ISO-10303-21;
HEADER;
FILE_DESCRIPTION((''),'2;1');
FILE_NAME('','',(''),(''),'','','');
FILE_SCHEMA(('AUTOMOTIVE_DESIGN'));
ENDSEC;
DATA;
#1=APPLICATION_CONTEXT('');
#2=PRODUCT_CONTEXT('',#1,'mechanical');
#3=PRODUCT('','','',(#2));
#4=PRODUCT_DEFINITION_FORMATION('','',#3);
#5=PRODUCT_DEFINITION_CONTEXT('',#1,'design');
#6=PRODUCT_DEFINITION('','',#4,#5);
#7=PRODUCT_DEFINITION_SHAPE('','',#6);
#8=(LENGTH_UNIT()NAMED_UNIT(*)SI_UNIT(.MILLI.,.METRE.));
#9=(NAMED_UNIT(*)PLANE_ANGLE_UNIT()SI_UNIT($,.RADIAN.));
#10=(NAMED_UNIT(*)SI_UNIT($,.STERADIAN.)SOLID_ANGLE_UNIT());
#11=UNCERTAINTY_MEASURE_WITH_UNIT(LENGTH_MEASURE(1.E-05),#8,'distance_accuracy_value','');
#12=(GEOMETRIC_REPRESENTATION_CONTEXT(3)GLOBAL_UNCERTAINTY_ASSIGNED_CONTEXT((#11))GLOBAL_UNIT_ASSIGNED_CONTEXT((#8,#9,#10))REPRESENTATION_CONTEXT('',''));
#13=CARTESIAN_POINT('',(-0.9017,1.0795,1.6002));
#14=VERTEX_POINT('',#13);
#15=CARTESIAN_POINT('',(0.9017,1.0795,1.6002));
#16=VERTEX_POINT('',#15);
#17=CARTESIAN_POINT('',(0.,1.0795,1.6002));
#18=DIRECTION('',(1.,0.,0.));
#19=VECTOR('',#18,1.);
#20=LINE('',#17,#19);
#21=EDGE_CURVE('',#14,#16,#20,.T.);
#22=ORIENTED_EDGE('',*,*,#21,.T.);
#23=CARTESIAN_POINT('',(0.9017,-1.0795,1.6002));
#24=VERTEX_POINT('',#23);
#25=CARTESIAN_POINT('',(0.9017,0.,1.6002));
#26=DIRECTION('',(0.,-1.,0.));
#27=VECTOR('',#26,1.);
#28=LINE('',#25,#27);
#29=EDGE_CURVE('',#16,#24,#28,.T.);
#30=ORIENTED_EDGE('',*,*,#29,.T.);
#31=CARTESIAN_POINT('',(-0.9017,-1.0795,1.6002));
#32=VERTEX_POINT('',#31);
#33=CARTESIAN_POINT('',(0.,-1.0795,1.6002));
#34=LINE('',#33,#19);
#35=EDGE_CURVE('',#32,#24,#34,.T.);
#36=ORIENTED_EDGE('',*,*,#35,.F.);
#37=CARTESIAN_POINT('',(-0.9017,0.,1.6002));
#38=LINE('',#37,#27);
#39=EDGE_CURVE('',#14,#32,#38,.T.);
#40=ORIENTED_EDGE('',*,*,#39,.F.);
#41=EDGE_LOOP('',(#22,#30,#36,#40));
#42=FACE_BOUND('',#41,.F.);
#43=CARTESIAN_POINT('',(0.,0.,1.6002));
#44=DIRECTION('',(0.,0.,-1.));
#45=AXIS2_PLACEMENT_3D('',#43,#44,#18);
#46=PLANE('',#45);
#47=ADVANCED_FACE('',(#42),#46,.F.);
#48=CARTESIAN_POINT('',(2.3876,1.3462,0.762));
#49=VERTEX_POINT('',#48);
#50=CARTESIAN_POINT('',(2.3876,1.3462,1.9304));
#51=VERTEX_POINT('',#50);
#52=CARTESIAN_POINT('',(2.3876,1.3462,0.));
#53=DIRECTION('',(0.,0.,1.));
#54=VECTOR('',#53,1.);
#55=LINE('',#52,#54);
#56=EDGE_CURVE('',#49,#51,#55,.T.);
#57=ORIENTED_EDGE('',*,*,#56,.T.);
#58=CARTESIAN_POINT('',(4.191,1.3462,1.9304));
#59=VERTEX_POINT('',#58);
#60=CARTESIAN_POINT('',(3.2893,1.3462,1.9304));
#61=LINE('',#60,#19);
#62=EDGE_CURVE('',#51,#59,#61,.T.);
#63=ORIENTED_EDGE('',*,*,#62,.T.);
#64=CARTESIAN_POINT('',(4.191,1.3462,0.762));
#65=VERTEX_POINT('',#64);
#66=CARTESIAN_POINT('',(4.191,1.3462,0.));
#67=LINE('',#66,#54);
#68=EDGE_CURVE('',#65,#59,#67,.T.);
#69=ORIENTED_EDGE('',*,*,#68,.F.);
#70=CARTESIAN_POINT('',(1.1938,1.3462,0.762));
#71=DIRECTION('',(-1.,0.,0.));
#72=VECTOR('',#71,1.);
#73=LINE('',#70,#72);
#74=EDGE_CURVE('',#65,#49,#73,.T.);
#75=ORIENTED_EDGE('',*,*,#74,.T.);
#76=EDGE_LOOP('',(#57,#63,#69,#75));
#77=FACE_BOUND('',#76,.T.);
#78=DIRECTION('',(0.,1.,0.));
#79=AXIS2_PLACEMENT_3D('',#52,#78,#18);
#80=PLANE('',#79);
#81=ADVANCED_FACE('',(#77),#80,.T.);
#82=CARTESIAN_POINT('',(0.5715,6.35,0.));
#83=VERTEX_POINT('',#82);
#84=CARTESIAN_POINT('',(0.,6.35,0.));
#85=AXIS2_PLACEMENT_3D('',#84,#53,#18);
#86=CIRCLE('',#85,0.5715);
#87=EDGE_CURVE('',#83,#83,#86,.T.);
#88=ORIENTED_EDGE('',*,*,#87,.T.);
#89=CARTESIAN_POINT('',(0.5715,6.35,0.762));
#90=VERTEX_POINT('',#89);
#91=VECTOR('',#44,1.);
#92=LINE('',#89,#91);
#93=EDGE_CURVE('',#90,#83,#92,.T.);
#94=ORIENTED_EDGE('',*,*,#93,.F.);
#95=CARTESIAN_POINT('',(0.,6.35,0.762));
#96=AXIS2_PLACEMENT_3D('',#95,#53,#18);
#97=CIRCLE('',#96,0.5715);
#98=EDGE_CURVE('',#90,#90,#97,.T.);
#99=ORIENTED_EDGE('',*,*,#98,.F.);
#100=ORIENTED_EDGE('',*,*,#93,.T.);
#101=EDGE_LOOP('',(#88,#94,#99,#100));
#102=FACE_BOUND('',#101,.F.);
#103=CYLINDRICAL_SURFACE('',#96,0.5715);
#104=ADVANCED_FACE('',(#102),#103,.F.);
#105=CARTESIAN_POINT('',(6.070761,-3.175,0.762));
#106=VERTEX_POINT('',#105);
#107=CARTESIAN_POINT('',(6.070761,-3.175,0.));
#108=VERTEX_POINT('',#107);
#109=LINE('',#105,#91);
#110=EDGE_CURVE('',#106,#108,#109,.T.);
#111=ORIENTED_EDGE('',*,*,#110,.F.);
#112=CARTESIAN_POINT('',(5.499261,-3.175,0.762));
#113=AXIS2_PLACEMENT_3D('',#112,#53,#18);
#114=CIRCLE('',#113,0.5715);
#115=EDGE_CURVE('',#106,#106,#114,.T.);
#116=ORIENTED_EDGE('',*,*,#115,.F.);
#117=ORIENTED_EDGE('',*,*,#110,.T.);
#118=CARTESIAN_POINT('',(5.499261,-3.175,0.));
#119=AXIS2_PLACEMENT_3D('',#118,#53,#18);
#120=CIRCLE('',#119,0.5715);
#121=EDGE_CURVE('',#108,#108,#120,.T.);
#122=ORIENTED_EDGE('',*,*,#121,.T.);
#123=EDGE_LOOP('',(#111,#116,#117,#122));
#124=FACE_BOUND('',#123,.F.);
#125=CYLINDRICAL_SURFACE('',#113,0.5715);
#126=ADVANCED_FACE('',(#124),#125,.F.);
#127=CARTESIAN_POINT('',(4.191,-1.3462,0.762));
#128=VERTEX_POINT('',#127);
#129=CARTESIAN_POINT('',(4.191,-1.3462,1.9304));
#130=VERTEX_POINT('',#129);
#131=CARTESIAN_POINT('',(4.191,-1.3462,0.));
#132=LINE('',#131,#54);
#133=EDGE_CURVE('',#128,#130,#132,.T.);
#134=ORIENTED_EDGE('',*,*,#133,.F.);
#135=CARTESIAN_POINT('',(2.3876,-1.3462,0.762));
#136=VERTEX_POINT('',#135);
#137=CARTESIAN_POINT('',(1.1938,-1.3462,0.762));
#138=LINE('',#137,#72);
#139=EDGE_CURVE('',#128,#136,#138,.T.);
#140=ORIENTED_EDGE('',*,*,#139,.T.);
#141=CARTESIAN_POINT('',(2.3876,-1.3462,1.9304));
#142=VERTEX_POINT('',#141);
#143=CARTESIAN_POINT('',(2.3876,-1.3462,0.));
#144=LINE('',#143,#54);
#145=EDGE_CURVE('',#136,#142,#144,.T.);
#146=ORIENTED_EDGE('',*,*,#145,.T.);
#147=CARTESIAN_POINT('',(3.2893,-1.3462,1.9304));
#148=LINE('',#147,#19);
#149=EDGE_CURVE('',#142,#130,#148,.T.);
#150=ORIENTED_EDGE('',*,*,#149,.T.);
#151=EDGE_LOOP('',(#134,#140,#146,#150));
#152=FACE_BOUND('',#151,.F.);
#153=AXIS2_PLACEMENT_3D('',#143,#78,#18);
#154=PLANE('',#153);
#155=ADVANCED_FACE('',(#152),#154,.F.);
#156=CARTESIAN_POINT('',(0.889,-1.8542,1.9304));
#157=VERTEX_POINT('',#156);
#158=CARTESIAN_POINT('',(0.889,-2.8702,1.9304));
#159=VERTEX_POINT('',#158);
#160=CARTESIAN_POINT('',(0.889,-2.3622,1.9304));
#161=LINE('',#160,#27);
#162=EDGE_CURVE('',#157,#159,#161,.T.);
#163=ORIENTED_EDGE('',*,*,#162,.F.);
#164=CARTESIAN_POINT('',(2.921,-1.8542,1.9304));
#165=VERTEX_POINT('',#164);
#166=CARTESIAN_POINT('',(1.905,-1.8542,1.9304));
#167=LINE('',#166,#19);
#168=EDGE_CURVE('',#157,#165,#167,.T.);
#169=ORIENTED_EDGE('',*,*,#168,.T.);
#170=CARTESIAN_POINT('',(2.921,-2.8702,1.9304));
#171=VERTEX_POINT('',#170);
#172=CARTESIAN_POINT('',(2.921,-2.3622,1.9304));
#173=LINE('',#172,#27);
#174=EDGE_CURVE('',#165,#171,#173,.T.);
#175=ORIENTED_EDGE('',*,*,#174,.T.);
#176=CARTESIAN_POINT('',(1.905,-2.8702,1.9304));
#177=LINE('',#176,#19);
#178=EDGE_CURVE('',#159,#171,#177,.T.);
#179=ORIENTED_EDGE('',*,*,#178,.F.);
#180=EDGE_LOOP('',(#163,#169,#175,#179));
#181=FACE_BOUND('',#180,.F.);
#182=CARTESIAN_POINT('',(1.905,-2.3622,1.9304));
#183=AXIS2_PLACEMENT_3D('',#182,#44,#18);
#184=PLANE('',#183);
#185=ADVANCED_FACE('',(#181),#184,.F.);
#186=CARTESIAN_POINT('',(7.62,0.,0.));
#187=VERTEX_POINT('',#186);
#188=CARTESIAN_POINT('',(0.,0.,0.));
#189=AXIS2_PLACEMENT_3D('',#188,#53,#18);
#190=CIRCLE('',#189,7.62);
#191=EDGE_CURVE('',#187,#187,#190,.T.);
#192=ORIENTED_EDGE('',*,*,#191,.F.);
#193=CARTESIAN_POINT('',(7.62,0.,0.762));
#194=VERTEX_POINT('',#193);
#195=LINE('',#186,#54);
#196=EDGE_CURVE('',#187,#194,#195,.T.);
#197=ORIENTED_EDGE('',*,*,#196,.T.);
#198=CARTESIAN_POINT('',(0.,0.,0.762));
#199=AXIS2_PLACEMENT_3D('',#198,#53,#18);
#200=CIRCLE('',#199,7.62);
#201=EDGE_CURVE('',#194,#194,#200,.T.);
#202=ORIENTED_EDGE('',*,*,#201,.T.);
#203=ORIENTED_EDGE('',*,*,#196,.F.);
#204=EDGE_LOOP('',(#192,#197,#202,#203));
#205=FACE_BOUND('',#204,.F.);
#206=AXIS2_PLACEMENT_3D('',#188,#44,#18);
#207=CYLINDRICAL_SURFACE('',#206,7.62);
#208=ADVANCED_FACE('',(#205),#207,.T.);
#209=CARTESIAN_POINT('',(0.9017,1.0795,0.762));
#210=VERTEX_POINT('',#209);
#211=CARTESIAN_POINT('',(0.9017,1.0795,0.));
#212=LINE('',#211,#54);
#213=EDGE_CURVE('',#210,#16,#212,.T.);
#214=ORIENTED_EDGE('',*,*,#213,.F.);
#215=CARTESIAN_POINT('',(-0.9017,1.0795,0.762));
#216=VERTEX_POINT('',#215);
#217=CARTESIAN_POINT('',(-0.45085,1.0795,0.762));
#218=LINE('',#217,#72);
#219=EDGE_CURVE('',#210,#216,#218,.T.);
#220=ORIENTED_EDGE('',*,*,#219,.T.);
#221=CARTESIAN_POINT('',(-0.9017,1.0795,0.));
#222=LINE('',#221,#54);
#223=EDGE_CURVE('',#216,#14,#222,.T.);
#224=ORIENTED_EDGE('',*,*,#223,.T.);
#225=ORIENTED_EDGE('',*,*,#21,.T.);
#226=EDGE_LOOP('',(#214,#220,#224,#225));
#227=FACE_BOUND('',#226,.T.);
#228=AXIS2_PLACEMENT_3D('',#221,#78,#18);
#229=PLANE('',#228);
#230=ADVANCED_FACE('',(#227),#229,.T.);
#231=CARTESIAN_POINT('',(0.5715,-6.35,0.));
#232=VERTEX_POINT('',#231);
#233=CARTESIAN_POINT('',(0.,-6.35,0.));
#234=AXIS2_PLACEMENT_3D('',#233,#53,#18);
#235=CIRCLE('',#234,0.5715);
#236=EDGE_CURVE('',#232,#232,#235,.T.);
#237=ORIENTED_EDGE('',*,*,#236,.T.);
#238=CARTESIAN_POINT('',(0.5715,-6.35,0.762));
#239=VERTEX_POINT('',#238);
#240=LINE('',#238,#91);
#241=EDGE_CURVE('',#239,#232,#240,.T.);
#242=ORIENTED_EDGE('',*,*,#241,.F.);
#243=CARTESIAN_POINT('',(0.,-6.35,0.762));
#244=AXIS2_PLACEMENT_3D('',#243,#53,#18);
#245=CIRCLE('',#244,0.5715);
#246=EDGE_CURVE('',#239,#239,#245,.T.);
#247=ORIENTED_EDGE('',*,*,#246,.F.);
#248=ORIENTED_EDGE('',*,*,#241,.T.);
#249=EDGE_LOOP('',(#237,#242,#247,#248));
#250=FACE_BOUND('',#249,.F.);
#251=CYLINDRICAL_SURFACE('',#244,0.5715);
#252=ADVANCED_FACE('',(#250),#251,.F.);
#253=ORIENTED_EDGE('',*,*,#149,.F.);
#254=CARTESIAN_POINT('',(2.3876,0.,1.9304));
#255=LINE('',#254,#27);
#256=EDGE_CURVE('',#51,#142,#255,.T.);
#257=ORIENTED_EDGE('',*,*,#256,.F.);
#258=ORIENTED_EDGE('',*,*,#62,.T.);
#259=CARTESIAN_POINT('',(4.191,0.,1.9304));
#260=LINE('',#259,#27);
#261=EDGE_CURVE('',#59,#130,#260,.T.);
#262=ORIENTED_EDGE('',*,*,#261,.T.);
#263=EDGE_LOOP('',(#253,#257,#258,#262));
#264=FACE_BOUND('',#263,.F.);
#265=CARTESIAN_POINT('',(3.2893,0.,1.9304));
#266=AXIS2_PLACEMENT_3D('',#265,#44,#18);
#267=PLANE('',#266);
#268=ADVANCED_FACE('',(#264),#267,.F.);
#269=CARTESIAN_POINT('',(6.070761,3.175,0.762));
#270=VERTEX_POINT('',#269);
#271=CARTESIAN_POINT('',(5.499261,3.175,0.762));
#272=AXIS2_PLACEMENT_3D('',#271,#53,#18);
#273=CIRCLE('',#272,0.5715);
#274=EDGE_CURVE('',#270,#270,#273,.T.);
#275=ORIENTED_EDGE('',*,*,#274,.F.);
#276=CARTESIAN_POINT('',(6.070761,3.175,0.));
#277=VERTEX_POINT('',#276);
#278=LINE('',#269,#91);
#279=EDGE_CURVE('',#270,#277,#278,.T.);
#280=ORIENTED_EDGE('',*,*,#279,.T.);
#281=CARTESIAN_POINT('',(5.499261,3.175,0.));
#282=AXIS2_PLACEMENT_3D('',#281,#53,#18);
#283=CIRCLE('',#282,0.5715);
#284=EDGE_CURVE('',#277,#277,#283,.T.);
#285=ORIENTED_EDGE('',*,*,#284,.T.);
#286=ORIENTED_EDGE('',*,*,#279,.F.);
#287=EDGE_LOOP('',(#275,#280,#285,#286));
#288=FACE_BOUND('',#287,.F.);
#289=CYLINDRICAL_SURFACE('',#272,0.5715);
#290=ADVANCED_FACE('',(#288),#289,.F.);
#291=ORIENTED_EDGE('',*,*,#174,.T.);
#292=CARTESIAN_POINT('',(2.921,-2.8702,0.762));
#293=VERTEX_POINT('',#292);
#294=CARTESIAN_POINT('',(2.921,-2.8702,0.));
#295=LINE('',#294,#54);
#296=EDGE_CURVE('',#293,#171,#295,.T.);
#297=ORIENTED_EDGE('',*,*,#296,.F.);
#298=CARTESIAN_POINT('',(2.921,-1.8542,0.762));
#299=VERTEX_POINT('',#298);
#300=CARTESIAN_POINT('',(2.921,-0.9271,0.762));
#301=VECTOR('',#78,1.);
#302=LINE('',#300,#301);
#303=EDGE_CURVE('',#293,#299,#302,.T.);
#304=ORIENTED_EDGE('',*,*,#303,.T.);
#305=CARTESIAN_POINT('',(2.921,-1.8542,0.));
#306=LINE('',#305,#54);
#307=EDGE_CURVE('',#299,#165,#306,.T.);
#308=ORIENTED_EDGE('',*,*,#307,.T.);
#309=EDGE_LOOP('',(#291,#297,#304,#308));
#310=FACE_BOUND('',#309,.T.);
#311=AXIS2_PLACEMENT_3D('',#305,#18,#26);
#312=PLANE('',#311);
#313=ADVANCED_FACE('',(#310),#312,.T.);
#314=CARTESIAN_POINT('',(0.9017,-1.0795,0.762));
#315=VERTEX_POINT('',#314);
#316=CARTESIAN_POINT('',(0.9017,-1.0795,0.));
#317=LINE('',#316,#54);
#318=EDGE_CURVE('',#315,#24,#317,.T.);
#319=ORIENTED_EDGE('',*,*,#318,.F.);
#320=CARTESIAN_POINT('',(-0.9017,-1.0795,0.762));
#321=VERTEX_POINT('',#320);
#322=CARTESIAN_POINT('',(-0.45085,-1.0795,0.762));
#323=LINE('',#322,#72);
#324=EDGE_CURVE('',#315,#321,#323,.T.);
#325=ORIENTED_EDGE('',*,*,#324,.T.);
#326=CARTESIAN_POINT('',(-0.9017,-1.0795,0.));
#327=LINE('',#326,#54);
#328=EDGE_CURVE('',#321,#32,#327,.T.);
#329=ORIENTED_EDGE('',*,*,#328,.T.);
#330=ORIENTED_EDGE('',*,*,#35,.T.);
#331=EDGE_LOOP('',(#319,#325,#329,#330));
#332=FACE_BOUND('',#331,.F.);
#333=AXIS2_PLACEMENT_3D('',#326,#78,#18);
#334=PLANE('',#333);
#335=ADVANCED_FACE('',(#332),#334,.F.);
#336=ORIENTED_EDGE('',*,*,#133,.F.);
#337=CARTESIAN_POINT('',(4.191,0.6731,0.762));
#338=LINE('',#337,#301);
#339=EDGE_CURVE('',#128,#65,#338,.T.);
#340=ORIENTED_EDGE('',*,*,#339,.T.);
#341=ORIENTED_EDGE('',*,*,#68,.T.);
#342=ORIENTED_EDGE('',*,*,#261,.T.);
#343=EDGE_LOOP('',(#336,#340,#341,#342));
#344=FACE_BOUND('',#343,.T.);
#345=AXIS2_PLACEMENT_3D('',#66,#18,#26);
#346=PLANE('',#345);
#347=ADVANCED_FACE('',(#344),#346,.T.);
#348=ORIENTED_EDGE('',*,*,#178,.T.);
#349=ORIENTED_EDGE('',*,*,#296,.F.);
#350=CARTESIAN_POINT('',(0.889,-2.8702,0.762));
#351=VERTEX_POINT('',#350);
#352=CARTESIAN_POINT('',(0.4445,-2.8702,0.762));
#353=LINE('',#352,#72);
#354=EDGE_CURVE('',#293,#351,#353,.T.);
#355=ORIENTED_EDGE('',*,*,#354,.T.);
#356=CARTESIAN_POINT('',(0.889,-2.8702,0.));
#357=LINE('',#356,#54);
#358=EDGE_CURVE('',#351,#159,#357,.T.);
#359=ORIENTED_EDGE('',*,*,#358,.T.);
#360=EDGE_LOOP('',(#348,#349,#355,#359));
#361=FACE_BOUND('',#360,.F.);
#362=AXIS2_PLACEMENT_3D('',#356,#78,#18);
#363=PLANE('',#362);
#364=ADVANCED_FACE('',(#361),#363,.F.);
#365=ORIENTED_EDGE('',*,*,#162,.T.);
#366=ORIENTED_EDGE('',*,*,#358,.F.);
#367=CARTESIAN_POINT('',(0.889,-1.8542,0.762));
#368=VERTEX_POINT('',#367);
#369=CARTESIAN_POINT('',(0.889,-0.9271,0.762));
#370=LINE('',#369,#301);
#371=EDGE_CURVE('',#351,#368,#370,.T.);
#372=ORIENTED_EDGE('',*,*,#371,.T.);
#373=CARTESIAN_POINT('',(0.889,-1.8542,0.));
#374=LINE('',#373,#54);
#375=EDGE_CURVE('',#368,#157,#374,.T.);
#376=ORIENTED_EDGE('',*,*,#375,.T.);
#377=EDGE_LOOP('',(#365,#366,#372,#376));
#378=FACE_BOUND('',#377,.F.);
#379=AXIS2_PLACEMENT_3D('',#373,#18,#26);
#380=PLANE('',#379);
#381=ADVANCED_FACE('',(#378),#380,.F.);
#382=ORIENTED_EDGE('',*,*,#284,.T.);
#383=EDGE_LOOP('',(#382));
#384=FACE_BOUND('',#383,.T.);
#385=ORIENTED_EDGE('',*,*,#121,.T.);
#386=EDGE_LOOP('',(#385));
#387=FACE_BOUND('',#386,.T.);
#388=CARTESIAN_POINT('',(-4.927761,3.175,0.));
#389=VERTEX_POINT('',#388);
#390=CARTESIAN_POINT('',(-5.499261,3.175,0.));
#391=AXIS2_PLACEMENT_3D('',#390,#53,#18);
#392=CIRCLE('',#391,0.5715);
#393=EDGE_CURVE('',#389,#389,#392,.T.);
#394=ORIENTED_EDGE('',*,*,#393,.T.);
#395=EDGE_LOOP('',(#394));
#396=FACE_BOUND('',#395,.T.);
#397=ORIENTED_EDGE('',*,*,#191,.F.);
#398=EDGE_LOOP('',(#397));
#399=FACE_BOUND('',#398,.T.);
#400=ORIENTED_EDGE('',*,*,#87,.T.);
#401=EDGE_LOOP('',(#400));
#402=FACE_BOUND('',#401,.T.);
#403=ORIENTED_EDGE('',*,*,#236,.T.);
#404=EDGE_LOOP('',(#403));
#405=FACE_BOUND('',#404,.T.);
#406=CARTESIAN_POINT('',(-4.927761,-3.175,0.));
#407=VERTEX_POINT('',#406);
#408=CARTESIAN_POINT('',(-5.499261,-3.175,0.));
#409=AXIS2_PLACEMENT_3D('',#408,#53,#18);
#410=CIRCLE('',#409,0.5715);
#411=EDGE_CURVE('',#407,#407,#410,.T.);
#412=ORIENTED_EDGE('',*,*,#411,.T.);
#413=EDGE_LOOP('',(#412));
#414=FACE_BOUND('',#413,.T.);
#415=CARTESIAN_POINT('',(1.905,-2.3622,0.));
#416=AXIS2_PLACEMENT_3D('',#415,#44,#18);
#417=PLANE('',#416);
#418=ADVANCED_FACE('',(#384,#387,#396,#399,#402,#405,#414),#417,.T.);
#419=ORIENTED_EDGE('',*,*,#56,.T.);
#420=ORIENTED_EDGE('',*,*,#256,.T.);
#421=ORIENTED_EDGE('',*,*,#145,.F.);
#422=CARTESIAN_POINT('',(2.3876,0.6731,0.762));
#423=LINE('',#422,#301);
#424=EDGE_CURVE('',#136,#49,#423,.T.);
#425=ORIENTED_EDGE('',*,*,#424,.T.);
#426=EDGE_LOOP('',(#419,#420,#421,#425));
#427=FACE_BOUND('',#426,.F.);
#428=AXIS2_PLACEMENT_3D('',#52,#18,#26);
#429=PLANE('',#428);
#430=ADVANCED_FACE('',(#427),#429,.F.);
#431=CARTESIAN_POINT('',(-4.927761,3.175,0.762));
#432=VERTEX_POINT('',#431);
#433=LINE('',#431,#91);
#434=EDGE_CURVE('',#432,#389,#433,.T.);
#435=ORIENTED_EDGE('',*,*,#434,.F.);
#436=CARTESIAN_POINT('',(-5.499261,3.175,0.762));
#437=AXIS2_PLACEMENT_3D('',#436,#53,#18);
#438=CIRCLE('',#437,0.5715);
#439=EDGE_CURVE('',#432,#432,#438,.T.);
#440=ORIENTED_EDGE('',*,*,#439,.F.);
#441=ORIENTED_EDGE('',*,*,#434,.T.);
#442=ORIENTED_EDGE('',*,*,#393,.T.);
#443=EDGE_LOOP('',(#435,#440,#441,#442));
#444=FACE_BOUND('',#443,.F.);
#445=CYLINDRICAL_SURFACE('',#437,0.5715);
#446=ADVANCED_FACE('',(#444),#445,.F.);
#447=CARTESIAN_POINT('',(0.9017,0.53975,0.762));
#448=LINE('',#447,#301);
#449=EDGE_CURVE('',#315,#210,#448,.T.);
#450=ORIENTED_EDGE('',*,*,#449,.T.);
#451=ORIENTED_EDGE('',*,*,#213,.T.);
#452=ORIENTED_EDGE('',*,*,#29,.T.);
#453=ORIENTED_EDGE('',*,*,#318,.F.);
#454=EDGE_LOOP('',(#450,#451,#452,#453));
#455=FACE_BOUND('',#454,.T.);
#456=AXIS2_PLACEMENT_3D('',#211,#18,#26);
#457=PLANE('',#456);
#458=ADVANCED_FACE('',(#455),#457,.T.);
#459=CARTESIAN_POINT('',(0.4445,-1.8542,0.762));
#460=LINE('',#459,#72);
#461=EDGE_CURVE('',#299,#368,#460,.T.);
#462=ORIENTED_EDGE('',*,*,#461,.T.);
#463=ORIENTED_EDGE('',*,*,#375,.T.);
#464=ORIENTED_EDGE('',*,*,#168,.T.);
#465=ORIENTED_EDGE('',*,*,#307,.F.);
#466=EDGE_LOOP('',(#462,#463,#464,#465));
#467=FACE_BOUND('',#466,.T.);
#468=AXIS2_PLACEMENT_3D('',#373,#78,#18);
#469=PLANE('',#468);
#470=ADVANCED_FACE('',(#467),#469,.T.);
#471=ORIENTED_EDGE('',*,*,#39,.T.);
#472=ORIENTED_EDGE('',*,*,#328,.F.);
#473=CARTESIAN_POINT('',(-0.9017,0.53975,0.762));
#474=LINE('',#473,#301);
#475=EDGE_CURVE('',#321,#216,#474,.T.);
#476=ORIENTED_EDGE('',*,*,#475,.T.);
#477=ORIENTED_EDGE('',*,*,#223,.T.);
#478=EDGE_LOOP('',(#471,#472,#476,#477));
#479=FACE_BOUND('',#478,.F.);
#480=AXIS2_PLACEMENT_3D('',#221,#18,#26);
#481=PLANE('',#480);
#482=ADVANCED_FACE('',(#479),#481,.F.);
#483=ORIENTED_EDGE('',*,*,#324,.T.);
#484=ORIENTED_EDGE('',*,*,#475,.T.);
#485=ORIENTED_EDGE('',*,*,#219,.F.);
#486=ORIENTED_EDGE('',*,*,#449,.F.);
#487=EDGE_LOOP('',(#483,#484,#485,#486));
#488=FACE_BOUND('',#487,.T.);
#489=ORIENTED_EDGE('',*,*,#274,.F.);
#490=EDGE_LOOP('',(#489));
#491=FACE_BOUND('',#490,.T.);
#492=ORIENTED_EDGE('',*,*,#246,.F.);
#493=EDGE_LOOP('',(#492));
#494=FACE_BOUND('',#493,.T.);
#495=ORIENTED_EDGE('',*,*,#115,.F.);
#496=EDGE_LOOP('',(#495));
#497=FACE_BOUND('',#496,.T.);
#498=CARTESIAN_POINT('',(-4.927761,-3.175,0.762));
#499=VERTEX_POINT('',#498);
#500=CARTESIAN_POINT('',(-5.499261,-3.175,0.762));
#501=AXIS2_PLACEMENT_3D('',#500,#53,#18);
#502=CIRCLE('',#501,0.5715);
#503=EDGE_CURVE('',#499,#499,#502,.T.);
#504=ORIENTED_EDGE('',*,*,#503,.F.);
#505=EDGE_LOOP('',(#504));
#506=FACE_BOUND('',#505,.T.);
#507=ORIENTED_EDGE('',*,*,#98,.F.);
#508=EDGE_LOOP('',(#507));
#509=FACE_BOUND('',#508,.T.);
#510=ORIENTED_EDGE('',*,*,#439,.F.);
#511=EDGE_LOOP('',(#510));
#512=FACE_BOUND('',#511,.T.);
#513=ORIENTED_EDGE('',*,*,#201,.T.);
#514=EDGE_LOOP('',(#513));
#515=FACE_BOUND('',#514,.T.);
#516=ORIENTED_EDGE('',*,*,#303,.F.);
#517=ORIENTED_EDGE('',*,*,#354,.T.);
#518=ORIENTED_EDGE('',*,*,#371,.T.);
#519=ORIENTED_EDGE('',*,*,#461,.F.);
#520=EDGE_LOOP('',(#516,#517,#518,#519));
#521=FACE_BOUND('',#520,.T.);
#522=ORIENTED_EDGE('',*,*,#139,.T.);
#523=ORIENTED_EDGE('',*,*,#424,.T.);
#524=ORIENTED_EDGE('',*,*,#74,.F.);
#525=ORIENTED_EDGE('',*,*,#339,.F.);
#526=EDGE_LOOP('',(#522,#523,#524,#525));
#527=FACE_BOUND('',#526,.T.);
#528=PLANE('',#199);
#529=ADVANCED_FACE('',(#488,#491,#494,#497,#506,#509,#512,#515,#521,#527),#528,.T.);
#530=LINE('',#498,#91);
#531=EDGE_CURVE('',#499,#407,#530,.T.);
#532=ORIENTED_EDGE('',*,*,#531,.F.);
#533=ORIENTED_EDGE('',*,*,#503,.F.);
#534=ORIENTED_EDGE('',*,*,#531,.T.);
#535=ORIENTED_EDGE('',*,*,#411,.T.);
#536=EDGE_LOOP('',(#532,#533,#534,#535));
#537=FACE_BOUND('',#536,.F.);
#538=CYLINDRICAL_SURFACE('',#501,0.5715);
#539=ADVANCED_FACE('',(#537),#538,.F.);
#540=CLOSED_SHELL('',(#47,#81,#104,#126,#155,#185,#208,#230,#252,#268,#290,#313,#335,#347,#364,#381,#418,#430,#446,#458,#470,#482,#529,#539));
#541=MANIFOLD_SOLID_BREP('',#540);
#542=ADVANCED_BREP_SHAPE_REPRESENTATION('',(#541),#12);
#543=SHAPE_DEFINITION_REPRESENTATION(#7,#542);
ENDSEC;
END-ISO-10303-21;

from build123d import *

# Parameters (mm, degrees)
F0_R     = 7.62
F1_DEPTH = 0.762
F2_R     = 0.5715
F3_DEPTH = 0.762
F4_W     = 1.8034
F4_H     = 2.159
F5_DEPTH = 1.6002
F6_W     = 2.032
F6_H     = 1.016
F6_W_2   = 1.8034
F6_H_2   = 2.6924
F7_DEPTH = 1.9304


with BuildPart() as f1:
    # F0 (on Top) → F1 (new body)
    with BuildSketch(Plane.XY):
        Circle(F0_R)
    extrude(amount=F1_DEPTH)

    # F2 (on face) → F3 (cut, through all)
    with BuildSketch(Plane.XY.offset(0.762)):
        with Locations((0, 6.35)):
            Circle(F2_R)
        with Locations((-5.499261, 3.175)):
            Circle(F2_R)
        with Locations((-5.499261, -3.175)):
            Circle(F2_R)
        with Locations((0, -6.35)):
            Circle(F2_R)
        with Locations((5.499261, -3.175)):
            Circle(F2_R)
        with Locations((5.499261, 3.175)):
            Circle(F2_R)
    extrude(amount=-F3_DEPTH, mode=Mode.SUBTRACT)

    # F4 (on face) → F5 (join)
    with BuildSketch(Plane(origin=(0, 0, 0), x_dir=(1, 0, 0), z_dir=(0, 0, -1))):
        Rectangle(F4_W, F4_H)
    extrude(amount=-F5_DEPTH)

    # F6 (on face) → F7 (join)
    with BuildSketch(Plane(origin=(0, 0, 0), x_dir=(1, 0, 0), z_dir=(0, 0, -1))):
        with Locations((1.905, 2.3622)):
            Rectangle(F6_W, F6_H)
        with Locations((3.2893, 0)):
            Rectangle(F6_W_2, F6_H_2)
    extrude(amount=-F7_DEPTH)


solid = f1.part
